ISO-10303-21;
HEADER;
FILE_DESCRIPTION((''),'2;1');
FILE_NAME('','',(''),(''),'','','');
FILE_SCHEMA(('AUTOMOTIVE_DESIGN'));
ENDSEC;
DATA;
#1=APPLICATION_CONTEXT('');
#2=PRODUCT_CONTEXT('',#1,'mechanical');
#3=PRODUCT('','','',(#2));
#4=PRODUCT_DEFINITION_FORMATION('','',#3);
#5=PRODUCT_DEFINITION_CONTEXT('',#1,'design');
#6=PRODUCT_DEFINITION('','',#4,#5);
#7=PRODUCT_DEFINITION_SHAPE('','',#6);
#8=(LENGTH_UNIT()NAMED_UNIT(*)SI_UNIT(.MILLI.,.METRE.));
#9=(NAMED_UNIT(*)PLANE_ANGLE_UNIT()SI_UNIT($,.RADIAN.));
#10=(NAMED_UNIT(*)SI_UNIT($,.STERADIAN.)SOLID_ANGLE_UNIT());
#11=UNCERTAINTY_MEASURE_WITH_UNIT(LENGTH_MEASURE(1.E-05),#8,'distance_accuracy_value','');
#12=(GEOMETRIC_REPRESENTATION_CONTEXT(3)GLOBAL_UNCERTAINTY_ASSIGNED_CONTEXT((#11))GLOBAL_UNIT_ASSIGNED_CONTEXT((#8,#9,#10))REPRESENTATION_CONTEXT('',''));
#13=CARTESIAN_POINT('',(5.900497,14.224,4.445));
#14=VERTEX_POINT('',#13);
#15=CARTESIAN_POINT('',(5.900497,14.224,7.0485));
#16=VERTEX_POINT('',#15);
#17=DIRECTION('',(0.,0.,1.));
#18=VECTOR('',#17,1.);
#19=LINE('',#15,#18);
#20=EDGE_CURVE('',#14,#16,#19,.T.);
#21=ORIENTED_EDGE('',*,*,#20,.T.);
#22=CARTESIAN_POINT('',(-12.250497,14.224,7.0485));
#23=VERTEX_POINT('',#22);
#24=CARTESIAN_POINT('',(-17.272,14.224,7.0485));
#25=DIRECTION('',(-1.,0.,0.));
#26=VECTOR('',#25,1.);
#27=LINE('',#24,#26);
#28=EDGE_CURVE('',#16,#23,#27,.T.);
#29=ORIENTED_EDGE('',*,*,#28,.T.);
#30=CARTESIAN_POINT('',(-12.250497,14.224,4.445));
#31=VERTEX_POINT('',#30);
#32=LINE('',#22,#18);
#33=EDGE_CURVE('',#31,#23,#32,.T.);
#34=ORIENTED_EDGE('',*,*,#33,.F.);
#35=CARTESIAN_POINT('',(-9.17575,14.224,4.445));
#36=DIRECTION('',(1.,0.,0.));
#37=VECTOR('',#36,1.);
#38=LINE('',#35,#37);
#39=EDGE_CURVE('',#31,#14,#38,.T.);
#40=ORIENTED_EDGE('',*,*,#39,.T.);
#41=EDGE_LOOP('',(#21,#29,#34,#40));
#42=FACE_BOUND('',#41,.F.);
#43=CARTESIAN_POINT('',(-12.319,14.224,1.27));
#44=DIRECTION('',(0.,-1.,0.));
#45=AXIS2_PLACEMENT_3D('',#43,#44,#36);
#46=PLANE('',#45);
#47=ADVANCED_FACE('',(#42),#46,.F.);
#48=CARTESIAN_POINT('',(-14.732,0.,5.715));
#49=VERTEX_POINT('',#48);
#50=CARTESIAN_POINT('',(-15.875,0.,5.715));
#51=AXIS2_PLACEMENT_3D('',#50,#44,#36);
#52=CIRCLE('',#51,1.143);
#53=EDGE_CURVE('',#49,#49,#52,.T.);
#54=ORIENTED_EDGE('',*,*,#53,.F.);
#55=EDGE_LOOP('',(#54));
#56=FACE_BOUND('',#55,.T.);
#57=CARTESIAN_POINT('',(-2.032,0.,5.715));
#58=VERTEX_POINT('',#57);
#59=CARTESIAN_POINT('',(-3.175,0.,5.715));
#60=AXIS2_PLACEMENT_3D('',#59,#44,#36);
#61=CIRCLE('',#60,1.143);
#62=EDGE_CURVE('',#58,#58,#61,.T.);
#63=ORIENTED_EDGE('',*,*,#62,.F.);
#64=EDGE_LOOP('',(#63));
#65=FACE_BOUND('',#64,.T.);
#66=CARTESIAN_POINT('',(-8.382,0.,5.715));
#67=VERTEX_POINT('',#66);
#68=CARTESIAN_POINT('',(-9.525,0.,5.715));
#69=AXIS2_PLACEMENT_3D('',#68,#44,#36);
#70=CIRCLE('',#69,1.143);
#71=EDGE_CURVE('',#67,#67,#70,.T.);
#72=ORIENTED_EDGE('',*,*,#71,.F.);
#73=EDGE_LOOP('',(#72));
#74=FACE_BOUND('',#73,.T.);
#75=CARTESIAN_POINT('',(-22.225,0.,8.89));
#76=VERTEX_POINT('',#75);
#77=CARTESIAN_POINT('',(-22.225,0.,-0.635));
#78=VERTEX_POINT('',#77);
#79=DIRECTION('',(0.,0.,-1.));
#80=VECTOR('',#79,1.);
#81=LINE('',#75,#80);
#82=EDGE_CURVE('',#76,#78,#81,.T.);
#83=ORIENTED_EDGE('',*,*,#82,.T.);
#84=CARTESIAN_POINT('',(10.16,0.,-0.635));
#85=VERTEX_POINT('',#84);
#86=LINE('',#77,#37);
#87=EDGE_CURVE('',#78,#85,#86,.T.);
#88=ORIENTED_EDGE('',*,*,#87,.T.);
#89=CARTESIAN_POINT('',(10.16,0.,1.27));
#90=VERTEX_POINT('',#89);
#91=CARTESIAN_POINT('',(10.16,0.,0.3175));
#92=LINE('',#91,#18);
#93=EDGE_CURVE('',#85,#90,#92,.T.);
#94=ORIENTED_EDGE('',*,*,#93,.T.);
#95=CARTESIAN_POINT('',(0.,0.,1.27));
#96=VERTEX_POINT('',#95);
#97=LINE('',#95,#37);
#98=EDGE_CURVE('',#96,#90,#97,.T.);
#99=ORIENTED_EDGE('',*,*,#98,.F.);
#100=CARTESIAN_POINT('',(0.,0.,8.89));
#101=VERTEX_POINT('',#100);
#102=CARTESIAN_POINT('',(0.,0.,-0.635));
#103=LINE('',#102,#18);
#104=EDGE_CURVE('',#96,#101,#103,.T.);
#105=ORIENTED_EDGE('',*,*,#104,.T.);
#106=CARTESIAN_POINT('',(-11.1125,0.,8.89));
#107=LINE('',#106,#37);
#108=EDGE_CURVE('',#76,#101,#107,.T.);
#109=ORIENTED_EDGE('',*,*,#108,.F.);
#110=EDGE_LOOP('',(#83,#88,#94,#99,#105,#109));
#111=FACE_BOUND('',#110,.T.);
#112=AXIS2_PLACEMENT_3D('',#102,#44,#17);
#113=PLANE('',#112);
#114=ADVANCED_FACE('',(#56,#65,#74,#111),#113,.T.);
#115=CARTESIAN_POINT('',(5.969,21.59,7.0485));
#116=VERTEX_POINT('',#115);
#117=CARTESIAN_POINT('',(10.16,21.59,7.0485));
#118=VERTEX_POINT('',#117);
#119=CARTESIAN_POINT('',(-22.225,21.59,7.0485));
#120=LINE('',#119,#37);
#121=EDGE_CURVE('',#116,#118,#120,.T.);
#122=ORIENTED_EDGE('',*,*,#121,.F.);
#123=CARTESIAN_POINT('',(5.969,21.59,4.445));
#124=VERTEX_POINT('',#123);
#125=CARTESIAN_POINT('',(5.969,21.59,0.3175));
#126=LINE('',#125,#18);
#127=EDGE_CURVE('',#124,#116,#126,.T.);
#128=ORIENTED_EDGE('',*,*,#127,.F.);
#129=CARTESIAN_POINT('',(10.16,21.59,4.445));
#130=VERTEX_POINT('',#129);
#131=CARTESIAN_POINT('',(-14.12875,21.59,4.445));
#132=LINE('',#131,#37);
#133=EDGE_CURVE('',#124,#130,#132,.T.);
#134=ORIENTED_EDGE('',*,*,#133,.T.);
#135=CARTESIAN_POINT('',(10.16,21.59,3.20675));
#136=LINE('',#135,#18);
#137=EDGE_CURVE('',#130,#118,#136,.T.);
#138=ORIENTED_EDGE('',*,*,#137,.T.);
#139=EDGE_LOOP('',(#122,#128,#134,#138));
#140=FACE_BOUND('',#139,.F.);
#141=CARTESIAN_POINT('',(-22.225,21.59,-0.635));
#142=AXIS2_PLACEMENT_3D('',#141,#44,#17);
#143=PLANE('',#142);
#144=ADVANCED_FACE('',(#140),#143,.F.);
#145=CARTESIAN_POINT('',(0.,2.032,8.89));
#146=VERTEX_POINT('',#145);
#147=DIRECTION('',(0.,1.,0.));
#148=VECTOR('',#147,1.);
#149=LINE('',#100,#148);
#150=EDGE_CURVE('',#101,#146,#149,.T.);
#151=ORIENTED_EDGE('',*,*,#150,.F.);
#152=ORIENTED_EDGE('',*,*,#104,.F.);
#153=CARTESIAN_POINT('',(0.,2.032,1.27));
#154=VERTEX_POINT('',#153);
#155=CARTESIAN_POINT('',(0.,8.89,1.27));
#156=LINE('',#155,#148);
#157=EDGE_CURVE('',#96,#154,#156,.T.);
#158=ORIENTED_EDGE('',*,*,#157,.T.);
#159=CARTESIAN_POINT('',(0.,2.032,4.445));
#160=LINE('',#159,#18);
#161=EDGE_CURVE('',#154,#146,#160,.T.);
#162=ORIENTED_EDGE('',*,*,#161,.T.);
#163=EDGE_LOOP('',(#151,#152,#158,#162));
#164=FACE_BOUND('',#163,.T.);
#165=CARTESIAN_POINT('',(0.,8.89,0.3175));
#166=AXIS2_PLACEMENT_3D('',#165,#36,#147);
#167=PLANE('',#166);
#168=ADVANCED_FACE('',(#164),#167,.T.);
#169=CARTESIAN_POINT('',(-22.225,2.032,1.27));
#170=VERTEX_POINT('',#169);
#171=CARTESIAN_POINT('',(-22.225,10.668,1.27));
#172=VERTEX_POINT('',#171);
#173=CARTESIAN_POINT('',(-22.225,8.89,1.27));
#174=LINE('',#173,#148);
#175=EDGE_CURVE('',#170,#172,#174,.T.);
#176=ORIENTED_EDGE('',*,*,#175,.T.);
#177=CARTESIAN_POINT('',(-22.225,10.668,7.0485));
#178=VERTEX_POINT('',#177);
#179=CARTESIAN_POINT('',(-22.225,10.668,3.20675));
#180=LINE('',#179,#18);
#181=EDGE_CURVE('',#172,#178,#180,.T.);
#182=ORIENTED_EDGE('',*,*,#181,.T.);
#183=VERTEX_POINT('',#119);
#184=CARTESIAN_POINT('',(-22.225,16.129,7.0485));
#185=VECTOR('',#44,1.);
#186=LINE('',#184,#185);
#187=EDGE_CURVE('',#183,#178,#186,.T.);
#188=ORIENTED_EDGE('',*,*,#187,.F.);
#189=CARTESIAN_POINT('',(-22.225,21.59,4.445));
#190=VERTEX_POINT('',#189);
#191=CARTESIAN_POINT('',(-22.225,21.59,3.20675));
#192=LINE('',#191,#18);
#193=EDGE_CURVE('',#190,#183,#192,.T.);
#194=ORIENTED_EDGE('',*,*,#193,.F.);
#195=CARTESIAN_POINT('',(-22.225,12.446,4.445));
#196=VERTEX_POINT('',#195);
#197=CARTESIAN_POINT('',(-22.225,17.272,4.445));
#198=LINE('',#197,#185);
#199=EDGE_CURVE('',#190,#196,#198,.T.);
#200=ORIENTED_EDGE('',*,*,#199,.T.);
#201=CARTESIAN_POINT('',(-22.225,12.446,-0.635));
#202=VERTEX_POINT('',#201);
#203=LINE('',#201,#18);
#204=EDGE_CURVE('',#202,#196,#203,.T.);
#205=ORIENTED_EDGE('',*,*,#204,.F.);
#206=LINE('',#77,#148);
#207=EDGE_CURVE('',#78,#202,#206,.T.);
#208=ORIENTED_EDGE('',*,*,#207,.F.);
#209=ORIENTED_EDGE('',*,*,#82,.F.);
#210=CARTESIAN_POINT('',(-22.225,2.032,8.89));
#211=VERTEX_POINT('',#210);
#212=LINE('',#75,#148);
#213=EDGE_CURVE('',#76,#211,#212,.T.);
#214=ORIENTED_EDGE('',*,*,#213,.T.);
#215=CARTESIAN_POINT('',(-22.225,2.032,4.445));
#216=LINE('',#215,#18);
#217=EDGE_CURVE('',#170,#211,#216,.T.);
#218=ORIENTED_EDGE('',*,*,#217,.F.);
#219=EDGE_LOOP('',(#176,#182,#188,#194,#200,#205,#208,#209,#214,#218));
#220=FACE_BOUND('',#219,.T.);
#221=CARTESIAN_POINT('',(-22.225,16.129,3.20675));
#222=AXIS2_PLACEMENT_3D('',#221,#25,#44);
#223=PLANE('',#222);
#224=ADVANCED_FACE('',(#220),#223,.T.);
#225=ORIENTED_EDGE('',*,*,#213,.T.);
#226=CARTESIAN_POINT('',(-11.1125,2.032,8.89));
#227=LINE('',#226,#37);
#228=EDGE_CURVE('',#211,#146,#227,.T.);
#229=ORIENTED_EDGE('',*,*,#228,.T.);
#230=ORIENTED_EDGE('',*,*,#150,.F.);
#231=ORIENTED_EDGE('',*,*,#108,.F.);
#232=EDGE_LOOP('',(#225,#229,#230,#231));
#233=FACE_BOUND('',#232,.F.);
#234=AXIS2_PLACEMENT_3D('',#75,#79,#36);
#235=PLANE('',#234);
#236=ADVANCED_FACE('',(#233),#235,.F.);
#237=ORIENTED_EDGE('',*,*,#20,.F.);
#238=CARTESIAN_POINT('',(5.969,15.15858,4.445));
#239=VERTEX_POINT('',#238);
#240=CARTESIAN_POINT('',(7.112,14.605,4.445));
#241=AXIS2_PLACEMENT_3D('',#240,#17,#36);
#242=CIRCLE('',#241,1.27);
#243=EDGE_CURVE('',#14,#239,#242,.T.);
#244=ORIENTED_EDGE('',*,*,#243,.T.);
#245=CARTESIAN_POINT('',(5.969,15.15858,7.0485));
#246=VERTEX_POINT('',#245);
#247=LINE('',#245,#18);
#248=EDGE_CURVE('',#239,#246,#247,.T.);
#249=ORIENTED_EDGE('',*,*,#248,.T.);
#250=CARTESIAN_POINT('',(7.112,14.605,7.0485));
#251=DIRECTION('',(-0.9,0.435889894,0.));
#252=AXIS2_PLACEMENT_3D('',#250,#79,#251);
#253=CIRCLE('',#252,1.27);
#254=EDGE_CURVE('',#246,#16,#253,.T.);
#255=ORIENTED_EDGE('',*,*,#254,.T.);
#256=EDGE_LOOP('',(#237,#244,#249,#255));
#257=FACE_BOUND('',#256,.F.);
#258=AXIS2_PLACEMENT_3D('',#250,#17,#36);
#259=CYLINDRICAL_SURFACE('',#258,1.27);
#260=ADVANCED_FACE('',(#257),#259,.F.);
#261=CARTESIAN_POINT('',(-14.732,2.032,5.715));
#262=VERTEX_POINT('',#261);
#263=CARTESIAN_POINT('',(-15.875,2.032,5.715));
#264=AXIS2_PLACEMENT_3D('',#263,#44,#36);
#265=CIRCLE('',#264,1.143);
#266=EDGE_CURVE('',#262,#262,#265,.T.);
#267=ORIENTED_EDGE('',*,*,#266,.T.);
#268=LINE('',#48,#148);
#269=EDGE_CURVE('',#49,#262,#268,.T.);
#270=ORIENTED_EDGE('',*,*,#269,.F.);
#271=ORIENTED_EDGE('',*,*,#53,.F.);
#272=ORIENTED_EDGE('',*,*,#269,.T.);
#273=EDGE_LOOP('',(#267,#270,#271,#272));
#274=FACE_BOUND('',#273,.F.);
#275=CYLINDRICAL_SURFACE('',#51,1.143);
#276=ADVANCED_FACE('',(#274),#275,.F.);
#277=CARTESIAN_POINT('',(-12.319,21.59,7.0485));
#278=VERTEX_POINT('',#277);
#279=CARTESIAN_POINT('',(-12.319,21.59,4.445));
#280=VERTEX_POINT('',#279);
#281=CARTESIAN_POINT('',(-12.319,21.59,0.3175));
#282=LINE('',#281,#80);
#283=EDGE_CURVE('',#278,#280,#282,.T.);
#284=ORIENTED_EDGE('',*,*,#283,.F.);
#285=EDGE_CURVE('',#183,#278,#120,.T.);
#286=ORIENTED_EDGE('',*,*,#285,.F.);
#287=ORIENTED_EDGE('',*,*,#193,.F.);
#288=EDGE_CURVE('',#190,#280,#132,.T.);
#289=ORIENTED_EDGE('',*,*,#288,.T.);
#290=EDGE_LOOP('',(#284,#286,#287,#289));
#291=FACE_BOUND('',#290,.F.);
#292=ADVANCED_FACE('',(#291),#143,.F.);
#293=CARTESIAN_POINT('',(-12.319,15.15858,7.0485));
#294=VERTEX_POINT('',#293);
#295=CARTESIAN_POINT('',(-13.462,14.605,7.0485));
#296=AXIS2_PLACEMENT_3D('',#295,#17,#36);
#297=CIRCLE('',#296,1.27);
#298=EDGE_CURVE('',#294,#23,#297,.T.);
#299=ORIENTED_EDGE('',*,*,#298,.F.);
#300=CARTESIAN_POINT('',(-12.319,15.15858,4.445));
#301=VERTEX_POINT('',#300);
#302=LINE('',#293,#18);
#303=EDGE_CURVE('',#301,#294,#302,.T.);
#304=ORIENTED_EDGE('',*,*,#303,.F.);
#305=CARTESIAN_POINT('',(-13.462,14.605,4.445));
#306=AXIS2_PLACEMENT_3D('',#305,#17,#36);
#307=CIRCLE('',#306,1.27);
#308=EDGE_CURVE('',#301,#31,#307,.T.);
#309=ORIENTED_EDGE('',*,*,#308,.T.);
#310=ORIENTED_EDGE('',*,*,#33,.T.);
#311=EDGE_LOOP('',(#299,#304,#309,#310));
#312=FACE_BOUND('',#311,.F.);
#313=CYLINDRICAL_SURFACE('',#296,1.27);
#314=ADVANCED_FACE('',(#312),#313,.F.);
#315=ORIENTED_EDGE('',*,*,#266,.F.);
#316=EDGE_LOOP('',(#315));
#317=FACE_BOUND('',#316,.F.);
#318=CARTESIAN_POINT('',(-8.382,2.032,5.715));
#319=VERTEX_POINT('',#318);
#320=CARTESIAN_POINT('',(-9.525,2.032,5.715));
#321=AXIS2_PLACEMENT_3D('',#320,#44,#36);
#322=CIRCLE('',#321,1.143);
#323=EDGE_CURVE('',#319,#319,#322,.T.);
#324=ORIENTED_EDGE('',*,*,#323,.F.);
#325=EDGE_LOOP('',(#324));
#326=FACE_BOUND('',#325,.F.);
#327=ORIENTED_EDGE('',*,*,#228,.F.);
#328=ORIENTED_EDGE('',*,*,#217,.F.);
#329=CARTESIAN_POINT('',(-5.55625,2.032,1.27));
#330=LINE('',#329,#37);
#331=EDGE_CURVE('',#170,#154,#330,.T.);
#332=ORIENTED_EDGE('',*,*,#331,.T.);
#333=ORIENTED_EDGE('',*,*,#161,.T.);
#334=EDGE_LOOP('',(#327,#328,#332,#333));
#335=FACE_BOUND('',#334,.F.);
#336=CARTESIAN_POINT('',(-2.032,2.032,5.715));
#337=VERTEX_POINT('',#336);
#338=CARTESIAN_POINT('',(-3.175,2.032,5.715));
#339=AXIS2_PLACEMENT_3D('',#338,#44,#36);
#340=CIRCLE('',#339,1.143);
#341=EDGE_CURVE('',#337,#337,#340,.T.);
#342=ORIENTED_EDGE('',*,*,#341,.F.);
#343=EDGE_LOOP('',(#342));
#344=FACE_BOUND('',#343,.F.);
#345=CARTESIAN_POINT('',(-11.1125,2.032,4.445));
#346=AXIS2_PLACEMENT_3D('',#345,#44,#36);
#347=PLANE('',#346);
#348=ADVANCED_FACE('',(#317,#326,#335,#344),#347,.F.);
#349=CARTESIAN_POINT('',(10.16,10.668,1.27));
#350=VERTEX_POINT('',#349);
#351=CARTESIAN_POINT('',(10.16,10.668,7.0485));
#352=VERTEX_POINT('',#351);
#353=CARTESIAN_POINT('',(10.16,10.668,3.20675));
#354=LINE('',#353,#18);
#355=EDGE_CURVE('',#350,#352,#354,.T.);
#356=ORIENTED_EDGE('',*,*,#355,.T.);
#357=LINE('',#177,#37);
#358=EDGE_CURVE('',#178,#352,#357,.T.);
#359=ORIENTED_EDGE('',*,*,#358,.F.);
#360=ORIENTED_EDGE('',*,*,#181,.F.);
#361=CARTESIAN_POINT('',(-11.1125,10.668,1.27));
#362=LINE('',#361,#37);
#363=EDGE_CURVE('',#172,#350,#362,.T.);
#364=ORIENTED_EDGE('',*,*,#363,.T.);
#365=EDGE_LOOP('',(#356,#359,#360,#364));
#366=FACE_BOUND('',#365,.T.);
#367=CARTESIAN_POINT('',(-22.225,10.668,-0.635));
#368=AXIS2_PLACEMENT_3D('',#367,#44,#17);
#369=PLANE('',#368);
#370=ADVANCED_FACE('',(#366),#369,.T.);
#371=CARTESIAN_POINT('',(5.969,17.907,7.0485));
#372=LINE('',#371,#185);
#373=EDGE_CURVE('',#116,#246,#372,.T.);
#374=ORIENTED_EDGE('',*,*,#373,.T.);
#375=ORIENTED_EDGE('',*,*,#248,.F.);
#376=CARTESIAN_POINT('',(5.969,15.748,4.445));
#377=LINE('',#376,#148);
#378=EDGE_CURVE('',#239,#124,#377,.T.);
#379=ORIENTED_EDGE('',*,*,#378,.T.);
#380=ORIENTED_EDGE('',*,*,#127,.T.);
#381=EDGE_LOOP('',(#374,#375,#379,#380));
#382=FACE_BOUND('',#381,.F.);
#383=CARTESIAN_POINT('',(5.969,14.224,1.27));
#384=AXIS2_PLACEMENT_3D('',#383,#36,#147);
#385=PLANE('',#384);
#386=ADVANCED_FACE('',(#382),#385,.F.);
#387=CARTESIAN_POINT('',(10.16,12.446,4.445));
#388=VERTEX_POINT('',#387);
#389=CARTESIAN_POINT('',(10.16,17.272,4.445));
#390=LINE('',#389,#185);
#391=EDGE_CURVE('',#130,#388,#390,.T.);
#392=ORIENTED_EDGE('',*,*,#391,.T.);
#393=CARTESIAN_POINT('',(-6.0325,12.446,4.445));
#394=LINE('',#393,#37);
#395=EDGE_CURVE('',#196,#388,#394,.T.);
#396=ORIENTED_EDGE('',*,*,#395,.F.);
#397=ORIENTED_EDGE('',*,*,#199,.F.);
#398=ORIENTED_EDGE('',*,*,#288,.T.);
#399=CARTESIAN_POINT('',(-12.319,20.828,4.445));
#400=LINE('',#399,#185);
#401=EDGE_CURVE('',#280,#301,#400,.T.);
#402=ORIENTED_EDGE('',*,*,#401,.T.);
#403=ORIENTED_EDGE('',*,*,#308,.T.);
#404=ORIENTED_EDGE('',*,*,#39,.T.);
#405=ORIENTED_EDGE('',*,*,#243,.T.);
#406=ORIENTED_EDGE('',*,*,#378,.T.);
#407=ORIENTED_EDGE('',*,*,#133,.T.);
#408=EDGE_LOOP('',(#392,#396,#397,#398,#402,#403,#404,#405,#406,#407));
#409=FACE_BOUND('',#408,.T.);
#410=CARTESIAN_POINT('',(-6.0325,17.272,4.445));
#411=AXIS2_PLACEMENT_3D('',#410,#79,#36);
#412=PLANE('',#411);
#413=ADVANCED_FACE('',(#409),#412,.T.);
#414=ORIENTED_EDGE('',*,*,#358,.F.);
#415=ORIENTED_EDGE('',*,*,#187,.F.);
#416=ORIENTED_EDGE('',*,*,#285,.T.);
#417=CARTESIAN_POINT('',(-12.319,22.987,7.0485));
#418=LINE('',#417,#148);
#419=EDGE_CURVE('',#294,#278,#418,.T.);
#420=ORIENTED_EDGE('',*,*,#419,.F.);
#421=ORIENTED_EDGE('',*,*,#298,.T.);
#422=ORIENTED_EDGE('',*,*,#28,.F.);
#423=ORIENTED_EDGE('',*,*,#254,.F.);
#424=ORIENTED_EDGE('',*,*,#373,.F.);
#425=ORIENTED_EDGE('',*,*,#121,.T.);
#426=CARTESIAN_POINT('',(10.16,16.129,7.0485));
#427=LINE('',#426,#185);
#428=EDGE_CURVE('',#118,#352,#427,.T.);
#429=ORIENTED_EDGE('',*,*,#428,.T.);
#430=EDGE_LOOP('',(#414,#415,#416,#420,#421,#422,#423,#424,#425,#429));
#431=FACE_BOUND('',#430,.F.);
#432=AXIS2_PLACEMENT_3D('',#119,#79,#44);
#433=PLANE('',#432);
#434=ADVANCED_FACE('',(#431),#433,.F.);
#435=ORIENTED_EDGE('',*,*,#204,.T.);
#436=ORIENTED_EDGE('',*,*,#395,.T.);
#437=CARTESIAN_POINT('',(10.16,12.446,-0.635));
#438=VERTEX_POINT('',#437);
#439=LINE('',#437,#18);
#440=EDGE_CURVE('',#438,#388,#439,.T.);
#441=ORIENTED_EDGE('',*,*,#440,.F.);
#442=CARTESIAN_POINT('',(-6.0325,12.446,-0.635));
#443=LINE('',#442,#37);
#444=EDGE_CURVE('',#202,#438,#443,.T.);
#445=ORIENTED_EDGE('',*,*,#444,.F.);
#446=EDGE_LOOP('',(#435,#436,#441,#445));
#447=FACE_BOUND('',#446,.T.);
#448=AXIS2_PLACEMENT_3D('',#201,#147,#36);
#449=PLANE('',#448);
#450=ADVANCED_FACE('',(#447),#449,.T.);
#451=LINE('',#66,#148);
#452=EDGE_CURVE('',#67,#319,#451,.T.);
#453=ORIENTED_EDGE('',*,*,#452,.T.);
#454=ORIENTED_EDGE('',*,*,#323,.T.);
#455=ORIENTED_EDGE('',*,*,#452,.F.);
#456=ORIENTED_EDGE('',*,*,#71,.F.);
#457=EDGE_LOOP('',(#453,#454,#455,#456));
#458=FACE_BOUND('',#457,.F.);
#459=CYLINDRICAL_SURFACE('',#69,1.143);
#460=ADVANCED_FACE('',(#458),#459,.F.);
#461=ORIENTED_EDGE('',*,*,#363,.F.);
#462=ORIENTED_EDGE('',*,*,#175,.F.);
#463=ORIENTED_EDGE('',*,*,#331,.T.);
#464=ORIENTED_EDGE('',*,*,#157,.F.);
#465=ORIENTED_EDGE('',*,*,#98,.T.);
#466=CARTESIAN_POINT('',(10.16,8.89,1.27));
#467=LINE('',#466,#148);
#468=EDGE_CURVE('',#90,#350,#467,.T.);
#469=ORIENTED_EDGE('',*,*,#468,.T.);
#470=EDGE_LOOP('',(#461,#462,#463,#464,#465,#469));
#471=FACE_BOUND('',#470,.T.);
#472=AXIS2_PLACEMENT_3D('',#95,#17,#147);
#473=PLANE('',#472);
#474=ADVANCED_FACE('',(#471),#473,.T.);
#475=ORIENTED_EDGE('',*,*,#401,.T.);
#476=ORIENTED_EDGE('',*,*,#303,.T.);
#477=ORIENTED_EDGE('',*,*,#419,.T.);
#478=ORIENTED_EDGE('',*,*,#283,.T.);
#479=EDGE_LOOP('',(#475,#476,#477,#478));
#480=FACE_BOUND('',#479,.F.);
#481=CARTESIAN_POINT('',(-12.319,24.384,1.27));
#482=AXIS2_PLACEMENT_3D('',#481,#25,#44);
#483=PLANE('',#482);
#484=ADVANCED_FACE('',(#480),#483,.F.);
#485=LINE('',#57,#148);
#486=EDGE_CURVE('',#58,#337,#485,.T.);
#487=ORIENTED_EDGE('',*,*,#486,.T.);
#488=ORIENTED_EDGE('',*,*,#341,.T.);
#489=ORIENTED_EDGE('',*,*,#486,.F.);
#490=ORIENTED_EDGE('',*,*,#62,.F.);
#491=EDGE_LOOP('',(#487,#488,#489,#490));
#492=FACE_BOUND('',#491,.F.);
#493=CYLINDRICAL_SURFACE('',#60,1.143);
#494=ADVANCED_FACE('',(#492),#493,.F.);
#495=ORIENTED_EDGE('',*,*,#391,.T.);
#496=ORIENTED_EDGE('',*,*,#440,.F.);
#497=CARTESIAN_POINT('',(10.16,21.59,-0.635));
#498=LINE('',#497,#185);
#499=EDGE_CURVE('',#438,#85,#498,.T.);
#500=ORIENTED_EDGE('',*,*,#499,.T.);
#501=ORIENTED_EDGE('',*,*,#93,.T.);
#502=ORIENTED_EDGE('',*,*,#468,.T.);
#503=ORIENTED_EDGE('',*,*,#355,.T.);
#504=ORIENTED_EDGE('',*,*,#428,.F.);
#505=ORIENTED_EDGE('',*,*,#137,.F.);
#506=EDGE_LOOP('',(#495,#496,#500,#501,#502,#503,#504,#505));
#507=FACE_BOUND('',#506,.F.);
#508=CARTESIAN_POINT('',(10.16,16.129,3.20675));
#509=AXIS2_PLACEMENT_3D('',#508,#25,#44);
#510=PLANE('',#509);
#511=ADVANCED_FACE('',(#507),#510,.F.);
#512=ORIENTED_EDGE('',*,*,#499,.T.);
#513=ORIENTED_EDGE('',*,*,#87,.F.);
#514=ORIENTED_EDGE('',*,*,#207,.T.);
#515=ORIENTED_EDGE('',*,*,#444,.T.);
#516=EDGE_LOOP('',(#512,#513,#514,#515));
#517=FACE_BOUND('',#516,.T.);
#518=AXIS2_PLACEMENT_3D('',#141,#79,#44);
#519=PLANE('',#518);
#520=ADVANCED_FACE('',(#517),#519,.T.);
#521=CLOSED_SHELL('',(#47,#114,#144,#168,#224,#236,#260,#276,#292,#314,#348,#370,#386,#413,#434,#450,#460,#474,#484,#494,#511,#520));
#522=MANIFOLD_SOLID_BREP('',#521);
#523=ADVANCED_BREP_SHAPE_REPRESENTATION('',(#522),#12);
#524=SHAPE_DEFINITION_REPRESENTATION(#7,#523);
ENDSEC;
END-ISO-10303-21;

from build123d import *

# Parameters (mm, degrees)
F0_W      = 22.225
F0_H      = 8.89
F0_R      = 1.143
F1_DEPTH  = 2.032
F2_W      = 17.78
F2_H      = 1.905
F3_DEPTH  = 22.225
F4_DEPTH  = 10.16
F5_W      = 10.922
F5_H      = 7.6835
F7_DEPTH  = 32.385
F6_W      = 18.288
F6_H      = 3.556
F6_H_2    = 6.604
F8_DEPTH  = 12.7
F9_R      = 1.27
F10_DEPTH = 25.4
F11_W     = 32.385
F11_H     = 9.652
F12_DEPTH = 5.08


with BuildPart() as f1:
    # F0 (on Front) → F1 (new body)
    with BuildSketch(Plane.XZ):
        with Locations((-11.1125, 4.445)):
            Rectangle(F0_W, F0_H)
        with Locations((-15.875, 5.715)):
            Circle(F0_R, mode=Mode.SUBTRACT)
        with Locations((-9.525, 5.715)):
            Circle(F0_R, mode=Mode.SUBTRACT)
        with Locations((-3.175, 5.715)):
            Circle(F0_R, mode=Mode.SUBTRACT)
    extrude(amount=-F1_DEPTH)

    # F2 (on Right) → F3 (join, through all)
    with BuildSketch(Plane.YZ):
        with Locations((8.89, 0.3175)):
            Rectangle(F2_W, F2_H)
    extrude(amount=-F3_DEPTH)

    # F2 (on Right) → F4 (join)
    with BuildSketch(Plane.YZ):
        with Locations((8.89, 0.3175)):
            Rectangle(F2_W, F2_H)
    extrude(amount=F4_DEPTH)

    # F5 (on face) → F7 (join, through all)
    with BuildSketch(Plane(origin=(-22.225, 0, 0), x_dir=(0, -1, 0), z_dir=(-1, 0, 0))):
        with Locations((-16.129, 3.20675)):
            Rectangle(F5_W, F5_H)
    extrude(amount=-F7_DEPTH)

    # F6 (on face) → F8 (cut, symmetric)
    with BuildSketch(Plane.XY.offset(1.27)):
        with Locations((-3.175, 16.002)):
            Rectangle(F6_W, F6_H)
        with Locations((-3.175, 21.082)):
            Rectangle(F6_W, F6_H_2)
    extrude(amount=F8_DEPTH, both=True, mode=Mode.SUBTRACT)

    # F9 (on face) → F10 (cut)
    with BuildSketch(Plane.XY.offset(7.0485)):
        with Locations((-13.462, 14.605)):
            Circle(F9_R)
        with Locations((7.112, 14.605)):
            Circle(F9_R)
    extrude(amount=-F10_DEPTH, mode=Mode.SUBTRACT)

    # F11 (on face) → F12 (cut)
    with BuildSketch(Plane(origin=(0, 0, -0.635), x_dir=(1, 0, 0), z_dir=(0, 0, -1))):
        with Locations((-6.0325, -17.272)):
            Rectangle(F11_W, F11_H)
    extrude(amount=-F12_DEPTH, mode=Mode.SUBTRACT)


solid = f1.part
